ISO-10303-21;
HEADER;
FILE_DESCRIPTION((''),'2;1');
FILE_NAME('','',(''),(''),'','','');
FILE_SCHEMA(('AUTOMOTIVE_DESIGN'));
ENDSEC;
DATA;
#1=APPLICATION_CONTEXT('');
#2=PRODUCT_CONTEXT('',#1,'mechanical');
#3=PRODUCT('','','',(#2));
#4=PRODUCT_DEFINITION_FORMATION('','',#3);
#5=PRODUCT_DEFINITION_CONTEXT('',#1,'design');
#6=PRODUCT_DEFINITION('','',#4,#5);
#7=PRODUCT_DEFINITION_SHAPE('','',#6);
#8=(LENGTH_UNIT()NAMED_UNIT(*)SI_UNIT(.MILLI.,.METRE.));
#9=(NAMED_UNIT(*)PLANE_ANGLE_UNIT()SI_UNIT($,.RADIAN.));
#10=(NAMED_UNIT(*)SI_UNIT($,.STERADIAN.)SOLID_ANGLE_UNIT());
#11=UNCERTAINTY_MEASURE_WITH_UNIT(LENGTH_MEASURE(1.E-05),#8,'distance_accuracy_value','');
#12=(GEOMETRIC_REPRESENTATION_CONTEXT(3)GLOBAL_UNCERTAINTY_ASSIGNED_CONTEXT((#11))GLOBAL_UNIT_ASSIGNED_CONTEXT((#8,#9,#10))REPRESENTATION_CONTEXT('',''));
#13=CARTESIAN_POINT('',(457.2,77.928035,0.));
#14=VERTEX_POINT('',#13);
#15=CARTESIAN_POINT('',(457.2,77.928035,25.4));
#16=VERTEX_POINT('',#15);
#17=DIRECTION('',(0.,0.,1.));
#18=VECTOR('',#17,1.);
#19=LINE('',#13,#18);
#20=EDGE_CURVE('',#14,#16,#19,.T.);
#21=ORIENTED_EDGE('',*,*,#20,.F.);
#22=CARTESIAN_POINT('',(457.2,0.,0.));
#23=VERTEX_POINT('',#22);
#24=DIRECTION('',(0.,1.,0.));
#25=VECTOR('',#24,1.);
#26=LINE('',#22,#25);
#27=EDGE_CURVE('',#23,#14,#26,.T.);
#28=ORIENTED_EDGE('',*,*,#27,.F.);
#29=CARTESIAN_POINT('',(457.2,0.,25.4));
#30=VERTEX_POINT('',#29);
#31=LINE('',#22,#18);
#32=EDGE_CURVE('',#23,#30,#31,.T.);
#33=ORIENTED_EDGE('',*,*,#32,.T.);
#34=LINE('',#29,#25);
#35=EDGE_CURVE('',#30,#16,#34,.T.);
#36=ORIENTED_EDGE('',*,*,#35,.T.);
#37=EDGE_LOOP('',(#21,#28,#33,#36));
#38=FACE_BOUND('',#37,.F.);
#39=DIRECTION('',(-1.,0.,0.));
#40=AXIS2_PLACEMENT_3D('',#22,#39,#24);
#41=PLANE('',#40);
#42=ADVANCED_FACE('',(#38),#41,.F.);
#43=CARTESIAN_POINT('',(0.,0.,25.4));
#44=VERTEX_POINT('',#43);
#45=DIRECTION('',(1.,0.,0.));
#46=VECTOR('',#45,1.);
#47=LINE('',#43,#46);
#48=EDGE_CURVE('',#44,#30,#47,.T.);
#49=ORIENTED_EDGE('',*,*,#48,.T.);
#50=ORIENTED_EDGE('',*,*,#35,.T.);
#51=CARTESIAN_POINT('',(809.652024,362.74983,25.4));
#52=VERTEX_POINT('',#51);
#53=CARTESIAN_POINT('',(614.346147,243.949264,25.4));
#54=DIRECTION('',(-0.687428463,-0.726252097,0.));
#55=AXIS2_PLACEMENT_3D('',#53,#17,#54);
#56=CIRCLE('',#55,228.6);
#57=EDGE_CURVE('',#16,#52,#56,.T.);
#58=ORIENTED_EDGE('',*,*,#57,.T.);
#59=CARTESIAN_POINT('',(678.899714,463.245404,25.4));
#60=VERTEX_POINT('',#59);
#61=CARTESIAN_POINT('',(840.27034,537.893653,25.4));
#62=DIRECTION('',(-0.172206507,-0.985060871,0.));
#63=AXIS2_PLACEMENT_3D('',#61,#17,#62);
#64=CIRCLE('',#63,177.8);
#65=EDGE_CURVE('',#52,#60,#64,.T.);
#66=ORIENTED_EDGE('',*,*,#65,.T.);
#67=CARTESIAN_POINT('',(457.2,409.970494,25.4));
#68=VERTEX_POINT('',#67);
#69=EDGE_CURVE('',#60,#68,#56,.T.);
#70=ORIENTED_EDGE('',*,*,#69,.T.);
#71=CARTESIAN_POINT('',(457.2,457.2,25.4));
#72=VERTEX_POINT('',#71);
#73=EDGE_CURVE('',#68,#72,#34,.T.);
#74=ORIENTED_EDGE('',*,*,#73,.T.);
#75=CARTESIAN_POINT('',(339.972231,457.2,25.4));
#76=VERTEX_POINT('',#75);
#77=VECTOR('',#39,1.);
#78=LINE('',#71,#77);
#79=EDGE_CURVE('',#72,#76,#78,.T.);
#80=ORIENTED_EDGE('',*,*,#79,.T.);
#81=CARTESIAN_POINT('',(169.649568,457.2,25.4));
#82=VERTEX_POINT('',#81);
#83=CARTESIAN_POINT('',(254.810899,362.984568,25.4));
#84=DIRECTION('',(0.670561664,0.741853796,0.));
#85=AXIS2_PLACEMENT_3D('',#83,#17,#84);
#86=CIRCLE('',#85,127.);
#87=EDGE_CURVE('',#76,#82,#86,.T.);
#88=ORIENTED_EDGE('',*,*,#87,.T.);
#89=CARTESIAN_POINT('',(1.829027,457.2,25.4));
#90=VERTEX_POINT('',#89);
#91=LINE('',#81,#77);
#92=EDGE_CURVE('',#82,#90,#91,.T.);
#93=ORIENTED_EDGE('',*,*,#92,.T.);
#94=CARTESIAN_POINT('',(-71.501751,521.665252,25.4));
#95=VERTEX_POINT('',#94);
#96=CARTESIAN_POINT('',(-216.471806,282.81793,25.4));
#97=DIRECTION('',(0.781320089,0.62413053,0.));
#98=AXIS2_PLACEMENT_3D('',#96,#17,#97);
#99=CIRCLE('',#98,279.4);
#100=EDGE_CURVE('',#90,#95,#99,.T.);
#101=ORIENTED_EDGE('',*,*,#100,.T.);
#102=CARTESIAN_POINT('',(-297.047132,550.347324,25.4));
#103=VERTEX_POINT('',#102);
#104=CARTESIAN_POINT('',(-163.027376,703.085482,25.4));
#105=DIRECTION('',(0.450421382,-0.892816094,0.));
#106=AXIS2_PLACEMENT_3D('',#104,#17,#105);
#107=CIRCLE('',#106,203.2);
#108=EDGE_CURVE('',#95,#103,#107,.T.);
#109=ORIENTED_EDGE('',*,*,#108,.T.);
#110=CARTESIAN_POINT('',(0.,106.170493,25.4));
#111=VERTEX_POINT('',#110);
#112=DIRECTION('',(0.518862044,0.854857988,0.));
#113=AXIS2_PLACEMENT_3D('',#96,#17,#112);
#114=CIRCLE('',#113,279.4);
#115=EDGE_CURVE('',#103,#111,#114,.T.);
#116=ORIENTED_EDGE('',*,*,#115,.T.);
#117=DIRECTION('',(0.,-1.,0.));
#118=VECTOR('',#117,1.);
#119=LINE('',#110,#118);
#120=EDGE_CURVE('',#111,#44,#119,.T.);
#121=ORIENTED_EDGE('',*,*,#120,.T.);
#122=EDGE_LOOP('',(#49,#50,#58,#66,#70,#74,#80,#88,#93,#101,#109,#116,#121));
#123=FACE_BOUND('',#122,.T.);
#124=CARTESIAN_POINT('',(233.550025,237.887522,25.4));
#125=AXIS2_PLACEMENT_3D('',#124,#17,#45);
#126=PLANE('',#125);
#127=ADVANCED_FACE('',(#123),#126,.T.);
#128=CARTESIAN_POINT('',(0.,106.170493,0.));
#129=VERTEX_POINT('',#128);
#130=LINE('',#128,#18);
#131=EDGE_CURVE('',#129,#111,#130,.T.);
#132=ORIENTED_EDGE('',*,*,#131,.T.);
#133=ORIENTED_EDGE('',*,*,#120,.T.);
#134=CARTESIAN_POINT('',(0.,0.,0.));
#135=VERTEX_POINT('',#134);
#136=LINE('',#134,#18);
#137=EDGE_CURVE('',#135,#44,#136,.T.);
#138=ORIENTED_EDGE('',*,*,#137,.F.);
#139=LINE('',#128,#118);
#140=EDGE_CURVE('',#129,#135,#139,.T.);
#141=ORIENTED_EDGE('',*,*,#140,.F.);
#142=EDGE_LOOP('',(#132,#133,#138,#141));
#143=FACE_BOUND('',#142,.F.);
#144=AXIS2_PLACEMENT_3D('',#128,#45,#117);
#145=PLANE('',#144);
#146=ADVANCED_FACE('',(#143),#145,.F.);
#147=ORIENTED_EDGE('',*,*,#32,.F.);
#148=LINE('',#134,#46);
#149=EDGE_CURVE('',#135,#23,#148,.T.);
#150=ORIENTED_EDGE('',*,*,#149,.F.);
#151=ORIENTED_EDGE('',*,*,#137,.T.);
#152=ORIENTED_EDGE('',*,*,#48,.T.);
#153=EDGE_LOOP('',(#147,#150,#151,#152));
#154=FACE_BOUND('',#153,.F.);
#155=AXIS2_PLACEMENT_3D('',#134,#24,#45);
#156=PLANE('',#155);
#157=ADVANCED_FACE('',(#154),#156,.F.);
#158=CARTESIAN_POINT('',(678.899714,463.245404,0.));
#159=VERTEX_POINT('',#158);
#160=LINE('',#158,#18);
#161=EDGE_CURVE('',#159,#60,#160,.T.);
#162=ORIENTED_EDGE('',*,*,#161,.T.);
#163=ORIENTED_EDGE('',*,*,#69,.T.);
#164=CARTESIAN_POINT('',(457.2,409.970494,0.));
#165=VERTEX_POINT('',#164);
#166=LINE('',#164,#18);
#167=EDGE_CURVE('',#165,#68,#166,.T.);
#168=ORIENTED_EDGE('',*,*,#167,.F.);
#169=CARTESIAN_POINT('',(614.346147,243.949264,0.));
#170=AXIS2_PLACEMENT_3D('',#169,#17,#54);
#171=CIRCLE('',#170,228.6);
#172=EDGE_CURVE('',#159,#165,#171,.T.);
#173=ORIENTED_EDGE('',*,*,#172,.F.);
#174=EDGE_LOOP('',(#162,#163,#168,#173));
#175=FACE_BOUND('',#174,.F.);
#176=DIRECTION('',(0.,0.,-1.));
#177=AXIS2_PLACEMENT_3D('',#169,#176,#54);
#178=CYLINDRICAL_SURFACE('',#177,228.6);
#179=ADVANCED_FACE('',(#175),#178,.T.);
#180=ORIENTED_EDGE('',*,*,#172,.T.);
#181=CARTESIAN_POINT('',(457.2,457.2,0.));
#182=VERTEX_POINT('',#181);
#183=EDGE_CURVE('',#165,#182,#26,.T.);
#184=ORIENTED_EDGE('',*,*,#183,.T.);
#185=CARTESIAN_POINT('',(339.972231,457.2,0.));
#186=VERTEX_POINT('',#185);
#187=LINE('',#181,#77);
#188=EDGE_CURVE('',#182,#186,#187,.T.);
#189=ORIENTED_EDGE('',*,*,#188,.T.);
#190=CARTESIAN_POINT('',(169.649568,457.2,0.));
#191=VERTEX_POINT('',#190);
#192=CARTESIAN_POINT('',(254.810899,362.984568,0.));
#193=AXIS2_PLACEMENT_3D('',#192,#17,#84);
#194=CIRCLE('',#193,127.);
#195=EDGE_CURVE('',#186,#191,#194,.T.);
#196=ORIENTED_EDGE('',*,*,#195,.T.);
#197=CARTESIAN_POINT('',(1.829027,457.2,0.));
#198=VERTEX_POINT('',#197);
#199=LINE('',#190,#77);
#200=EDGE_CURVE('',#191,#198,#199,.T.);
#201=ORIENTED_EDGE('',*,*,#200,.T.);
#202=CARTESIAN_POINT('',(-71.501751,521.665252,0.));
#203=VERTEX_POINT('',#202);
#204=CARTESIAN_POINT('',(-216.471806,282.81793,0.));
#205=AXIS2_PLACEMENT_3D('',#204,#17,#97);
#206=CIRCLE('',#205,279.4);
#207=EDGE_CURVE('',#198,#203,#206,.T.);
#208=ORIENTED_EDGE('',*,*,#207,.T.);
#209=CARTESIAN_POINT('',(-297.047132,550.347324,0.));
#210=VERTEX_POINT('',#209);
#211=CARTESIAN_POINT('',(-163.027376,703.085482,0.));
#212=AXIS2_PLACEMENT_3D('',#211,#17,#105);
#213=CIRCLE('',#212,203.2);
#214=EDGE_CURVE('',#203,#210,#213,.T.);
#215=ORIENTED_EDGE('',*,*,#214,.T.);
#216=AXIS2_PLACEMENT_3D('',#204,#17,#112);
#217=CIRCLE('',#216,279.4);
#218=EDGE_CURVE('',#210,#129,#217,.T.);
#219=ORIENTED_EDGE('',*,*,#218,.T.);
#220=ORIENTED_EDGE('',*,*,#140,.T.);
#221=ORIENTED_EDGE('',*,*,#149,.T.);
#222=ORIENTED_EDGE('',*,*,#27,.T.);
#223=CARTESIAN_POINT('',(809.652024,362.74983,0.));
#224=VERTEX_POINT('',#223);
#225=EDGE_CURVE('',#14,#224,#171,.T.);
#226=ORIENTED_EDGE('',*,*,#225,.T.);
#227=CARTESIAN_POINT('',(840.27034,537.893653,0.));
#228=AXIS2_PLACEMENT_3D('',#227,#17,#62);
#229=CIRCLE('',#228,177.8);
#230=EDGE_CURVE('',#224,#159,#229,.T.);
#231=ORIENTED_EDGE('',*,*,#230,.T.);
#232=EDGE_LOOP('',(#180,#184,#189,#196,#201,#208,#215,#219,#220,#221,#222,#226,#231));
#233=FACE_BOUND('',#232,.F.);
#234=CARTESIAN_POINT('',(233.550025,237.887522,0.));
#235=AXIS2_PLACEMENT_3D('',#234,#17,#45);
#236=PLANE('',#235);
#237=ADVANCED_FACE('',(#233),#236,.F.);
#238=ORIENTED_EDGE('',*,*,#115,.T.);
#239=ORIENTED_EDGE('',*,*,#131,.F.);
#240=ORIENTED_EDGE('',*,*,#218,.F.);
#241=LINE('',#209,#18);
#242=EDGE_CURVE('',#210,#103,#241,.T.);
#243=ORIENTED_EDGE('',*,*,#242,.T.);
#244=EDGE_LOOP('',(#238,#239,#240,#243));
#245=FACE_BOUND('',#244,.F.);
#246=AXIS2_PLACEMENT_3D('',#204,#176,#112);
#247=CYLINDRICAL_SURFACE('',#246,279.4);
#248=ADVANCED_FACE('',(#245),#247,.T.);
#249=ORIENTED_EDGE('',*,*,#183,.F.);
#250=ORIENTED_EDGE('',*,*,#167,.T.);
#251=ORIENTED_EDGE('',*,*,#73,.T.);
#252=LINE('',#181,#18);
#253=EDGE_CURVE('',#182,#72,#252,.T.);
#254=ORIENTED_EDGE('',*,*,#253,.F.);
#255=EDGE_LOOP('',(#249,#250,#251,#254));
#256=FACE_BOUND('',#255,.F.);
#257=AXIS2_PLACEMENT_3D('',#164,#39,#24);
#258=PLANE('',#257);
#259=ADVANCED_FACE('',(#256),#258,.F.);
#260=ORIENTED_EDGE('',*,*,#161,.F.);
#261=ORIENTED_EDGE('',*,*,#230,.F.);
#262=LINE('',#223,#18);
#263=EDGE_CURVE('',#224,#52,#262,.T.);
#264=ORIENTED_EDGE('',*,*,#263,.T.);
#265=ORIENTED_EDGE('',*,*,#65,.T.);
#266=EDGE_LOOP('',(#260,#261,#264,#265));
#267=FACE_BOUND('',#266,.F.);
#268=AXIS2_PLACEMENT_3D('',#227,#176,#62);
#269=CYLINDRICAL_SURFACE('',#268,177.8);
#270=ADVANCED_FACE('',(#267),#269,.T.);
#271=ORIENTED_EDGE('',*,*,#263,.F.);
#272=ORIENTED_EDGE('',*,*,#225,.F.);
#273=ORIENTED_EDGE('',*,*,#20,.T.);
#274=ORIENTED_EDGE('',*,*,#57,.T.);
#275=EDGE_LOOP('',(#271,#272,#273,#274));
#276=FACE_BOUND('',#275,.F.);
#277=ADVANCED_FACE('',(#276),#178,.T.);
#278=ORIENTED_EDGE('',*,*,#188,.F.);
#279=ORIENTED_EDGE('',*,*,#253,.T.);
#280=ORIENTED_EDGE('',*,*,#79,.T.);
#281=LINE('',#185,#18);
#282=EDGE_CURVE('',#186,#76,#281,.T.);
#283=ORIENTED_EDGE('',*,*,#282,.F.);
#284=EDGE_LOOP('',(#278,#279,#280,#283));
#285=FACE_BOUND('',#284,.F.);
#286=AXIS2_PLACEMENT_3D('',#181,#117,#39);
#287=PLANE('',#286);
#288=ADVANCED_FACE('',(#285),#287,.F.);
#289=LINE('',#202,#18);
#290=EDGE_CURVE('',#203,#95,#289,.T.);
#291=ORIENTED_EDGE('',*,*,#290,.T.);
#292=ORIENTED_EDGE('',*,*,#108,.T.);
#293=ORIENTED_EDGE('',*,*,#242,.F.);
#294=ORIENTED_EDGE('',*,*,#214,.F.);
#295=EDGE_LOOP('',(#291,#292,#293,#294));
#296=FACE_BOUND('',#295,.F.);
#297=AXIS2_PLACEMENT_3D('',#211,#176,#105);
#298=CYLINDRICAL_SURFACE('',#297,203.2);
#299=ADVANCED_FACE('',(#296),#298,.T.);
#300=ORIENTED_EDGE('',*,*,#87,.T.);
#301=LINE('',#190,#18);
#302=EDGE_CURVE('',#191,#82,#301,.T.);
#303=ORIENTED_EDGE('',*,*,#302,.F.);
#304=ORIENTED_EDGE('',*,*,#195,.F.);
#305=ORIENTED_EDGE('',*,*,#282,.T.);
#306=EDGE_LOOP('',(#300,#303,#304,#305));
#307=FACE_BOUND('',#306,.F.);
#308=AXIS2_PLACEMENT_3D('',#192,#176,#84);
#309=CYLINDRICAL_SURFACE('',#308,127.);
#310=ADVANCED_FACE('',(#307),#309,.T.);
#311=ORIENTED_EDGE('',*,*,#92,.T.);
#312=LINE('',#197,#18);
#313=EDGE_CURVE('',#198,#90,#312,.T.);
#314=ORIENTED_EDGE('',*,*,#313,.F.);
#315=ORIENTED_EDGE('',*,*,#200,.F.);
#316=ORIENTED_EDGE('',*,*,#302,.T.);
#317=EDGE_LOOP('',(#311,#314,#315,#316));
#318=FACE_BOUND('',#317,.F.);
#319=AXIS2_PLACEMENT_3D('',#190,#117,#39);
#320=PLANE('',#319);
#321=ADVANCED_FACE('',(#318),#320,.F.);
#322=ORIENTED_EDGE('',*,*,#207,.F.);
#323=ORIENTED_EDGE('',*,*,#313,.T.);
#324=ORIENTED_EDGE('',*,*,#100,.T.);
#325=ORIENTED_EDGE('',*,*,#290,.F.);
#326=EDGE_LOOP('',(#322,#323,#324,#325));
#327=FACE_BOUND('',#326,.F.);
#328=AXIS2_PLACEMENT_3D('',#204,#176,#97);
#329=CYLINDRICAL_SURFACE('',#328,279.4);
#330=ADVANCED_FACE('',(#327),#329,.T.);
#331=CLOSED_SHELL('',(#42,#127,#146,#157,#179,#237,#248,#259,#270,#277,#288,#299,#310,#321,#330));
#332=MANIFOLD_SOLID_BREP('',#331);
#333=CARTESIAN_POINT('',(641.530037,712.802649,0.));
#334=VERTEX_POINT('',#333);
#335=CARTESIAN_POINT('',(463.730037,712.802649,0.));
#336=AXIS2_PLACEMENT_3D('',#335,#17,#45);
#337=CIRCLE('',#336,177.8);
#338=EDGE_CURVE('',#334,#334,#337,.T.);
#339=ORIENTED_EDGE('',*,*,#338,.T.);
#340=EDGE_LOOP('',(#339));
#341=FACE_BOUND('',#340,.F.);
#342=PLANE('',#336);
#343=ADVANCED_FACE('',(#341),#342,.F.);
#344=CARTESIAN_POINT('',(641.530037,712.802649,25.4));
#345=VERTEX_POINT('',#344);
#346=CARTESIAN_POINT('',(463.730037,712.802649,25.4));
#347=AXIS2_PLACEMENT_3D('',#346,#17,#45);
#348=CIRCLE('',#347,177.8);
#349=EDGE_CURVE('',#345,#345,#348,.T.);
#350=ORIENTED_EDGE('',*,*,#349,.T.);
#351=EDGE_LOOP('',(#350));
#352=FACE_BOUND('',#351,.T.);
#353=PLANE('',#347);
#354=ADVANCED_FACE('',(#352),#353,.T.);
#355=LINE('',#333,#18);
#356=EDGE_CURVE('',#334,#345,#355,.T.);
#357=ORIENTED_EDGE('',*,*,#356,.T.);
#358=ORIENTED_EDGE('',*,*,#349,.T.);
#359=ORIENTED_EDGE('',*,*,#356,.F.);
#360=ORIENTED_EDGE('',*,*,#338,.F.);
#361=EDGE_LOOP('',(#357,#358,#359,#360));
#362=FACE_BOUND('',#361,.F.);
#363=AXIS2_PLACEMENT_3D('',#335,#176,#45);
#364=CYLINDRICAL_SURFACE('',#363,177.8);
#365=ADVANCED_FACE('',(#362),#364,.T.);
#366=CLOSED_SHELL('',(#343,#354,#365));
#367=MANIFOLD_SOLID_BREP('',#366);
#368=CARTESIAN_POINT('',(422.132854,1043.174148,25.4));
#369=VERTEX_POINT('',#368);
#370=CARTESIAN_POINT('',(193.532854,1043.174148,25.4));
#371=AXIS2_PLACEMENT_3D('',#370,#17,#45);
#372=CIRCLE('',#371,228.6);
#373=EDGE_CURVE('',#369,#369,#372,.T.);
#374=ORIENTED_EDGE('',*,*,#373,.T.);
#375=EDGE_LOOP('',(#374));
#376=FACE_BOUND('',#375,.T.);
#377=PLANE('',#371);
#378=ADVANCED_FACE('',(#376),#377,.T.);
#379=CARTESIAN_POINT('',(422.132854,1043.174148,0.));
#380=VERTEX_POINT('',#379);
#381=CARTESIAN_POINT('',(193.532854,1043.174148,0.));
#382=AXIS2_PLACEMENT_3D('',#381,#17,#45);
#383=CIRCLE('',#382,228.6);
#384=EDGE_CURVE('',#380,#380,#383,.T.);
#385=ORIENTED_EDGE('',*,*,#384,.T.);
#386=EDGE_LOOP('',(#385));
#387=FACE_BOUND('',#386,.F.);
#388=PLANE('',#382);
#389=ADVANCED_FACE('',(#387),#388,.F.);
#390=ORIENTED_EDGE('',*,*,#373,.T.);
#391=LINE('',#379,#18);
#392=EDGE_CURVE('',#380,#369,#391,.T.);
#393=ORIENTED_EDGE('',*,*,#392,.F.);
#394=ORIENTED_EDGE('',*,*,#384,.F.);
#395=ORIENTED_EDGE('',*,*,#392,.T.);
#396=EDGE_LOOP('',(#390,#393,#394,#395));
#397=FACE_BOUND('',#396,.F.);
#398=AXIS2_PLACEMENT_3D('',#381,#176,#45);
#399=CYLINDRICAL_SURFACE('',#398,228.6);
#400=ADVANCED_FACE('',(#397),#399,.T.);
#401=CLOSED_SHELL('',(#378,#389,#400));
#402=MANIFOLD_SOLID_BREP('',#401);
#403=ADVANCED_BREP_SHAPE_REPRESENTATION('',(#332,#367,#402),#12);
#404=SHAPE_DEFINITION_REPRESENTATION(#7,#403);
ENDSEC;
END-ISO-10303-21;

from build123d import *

# Parameters (mm, degrees)
F1_DEPTH = 25.4
F0_R     = 177.8
F0_R_2   = 228.6


with BuildPart() as f1:
    # F0 (on Top) → F1 (new body)
    with BuildSketch(Plane.XY):
        with BuildLine():
            Line((0, 106.1704925997), (0, 0))
            Line((0, 0), (457.2, 0))
            Line((457.2, 0), (457.2, 77.9280348806))
            ThreePointArc((457.2, 77.9280348806), (385.7461465836, 243.9492642879), (457.2, 409.9704936953))
            Line((457.2, 409.9704936953), (457.2, 457.2))
            Line((457.2, 457.2), (339.9722308065, 457.2))
            ThreePointArc((339.9722308065, 457.2), (370.8808979376, 414.5282916672), (381.8108994961, 362.9845678806))
            ThreePointArc((381.8108994961, 362.9845678806), (203.2671757095, 246.9145694391), (169.6495681857, 457.2))
            Line((169.6495681857, 457.2), (1.8290267585, 457.2))
            ThreePointArc((1.8290267585, 457.2), (47.2113490763, 375.2059900347), (62.9281938314, 282.8179299831))
            ThreePointArc((62.9281938314, 282.8179299831), (46.7263916249, 189.0572309763), (0, 106.1704925997))
        make_face()
        with BuildLine():
            ThreePointArc((-297.047132431, 550.3473242517), (-448.7221619418, 127.4984777462), (0, 106.1704925997))
            Line((0, 106.1704925997), (0, 457.2))
            Line((0, 457.2), (1.8290267585, 457.2))
            ThreePointArc((1.8290267585, 457.2), (-31.9985650247, 492.6606884998), (-71.5017510394, 521.6652517514))
            ThreePointArc((-71.5017510394, 521.6652517514), (-188.6613987535, 501.508854323), (-297.047132431, 550.3473242517))
        make_face()
        with BuildLine():
            Line((0, 457.2), (0, 106.1704925997))
            ThreePointArc((0, 106.1704925997), (46.7263916249, 189.0572309763), (62.9281938314, 282.8179299831))
            ThreePointArc((62.9281938314, 282.8179299831), (47.2113490763, 375.2059900347), (1.8290267585, 457.2))
            Line((1.8290267585, 457.2), (0, 457.2))
        make_face()
        with BuildLine():
            ThreePointArc((457.2, 409.9704936953), (385.7461465836, 243.9492642879), (457.2, 77.9280348806))
            Line((457.2, 77.9280348806), (457.2, 409.9704936953))
        make_face()
        with BuildLine():
            Line((457.2, 409.9704936953), (457.2, 77.9280348806))
            ThreePointArc((457.2, 77.9280348806), (704.7185729397, 33.9712069712), (842.9461465836, 243.9492642879))
            ThreePointArc((842.9461465836, 243.9492642879), (834.4653000719, 305.6381471405), (809.6520235075, 362.7498301072))
            ThreePointArc((809.6520235075, 362.7498301072), (731.9200813722, 396.9218069347), (678.8997144688, 463.245403956))
            ThreePointArc((678.8997144688, 463.245403956), (560.933597278, 466.2217537613), (457.2, 409.9704936953))
        make_face()
        with BuildLine():
            ThreePointArc((-71.5017510394, 521.6652517514), (-181.2250247952, 559.9857932047), (-297.047132431, 550.3473242517))
            ThreePointArc((-297.047132431, 550.3473242517), (-188.6613987535, 501.508854323), (-71.5017510394, 521.6652517514))
        make_face()
        with BuildLine():
            ThreePointArc((40.1726240635, 703.0854821205), (-246.864794433, 888.1841781176), (-297.047132431, 550.3473242517))
            ThreePointArc((-297.047132431, 550.3473242517), (-181.2250247952, 559.9857932047), (-71.5017510394, 521.6652517514))
            ThreePointArc((-71.5017510394, 521.6652517514), (10.0163280505, 596.567331036), (40.1726240635, 703.0854821205))
        make_face()
        with BuildLine():
            ThreePointArc((809.6520235075, 362.7498301072), (753.6536225313, 425.1987805496), (678.8997144688, 463.245403956))
            ThreePointArc((678.8997144688, 463.245403956), (731.9200813722, 396.9218069347), (809.6520235075, 362.7498301072))
        make_face()
        with BuildLine():
            ThreePointArc((1018.0703404427, 537.893652916), (802.0529183564, 711.5377390493), (678.8997144688, 463.245403956))
            ThreePointArc((678.8997144688, 463.245403956), (753.6536225313, 425.1987805496), (809.6520235075, 362.7498301072))
            ThreePointArc((809.6520235075, 362.7498301072), (954.6576283048, 401.7746300884), (1018.0703404427, 537.893652916))
        make_face()
        with BuildLine():
            ThreePointArc((339.9722308065, 457.2), (254.8108994961, 489.9845678806), (169.6495681857, 457.2))
            Line((169.6495681857, 457.2), (339.9722308065, 457.2))
        make_face()
        with BuildLine():
            Line((339.9722308065, 457.2), (169.6495681857, 457.2))
            ThreePointArc((169.6495681857, 457.2), (203.2671757095, 246.9145694391), (381.8108994961, 362.9845678806))
            ThreePointArc((381.8108994961, 362.9845678806), (370.8808979376, 414.5282916672), (339.9722308065, 457.2))
        make_face()
    extrude(amount=F1_DEPTH)


with BuildPart() as f1b:
    # F0 (on Top) → F1, piece 2 (new body)
    with BuildSketch(Plane.XY):
        with Locations((463.7300372124, 712.8026485443)):
            Circle(F0_R)
    extrude(amount=F1_DEPTH)


with BuildPart() as f1c:
    # F0 (on Top) → F1, piece 3 (new body)
    with BuildSketch(Plane.XY):
        with Locations((193.5328543186, 1043.1741476059)):
            Circle(F0_R_2)
    extrude(amount=F1_DEPTH)


solid = Compound([f1.part, f1b.part, f1c.part])
